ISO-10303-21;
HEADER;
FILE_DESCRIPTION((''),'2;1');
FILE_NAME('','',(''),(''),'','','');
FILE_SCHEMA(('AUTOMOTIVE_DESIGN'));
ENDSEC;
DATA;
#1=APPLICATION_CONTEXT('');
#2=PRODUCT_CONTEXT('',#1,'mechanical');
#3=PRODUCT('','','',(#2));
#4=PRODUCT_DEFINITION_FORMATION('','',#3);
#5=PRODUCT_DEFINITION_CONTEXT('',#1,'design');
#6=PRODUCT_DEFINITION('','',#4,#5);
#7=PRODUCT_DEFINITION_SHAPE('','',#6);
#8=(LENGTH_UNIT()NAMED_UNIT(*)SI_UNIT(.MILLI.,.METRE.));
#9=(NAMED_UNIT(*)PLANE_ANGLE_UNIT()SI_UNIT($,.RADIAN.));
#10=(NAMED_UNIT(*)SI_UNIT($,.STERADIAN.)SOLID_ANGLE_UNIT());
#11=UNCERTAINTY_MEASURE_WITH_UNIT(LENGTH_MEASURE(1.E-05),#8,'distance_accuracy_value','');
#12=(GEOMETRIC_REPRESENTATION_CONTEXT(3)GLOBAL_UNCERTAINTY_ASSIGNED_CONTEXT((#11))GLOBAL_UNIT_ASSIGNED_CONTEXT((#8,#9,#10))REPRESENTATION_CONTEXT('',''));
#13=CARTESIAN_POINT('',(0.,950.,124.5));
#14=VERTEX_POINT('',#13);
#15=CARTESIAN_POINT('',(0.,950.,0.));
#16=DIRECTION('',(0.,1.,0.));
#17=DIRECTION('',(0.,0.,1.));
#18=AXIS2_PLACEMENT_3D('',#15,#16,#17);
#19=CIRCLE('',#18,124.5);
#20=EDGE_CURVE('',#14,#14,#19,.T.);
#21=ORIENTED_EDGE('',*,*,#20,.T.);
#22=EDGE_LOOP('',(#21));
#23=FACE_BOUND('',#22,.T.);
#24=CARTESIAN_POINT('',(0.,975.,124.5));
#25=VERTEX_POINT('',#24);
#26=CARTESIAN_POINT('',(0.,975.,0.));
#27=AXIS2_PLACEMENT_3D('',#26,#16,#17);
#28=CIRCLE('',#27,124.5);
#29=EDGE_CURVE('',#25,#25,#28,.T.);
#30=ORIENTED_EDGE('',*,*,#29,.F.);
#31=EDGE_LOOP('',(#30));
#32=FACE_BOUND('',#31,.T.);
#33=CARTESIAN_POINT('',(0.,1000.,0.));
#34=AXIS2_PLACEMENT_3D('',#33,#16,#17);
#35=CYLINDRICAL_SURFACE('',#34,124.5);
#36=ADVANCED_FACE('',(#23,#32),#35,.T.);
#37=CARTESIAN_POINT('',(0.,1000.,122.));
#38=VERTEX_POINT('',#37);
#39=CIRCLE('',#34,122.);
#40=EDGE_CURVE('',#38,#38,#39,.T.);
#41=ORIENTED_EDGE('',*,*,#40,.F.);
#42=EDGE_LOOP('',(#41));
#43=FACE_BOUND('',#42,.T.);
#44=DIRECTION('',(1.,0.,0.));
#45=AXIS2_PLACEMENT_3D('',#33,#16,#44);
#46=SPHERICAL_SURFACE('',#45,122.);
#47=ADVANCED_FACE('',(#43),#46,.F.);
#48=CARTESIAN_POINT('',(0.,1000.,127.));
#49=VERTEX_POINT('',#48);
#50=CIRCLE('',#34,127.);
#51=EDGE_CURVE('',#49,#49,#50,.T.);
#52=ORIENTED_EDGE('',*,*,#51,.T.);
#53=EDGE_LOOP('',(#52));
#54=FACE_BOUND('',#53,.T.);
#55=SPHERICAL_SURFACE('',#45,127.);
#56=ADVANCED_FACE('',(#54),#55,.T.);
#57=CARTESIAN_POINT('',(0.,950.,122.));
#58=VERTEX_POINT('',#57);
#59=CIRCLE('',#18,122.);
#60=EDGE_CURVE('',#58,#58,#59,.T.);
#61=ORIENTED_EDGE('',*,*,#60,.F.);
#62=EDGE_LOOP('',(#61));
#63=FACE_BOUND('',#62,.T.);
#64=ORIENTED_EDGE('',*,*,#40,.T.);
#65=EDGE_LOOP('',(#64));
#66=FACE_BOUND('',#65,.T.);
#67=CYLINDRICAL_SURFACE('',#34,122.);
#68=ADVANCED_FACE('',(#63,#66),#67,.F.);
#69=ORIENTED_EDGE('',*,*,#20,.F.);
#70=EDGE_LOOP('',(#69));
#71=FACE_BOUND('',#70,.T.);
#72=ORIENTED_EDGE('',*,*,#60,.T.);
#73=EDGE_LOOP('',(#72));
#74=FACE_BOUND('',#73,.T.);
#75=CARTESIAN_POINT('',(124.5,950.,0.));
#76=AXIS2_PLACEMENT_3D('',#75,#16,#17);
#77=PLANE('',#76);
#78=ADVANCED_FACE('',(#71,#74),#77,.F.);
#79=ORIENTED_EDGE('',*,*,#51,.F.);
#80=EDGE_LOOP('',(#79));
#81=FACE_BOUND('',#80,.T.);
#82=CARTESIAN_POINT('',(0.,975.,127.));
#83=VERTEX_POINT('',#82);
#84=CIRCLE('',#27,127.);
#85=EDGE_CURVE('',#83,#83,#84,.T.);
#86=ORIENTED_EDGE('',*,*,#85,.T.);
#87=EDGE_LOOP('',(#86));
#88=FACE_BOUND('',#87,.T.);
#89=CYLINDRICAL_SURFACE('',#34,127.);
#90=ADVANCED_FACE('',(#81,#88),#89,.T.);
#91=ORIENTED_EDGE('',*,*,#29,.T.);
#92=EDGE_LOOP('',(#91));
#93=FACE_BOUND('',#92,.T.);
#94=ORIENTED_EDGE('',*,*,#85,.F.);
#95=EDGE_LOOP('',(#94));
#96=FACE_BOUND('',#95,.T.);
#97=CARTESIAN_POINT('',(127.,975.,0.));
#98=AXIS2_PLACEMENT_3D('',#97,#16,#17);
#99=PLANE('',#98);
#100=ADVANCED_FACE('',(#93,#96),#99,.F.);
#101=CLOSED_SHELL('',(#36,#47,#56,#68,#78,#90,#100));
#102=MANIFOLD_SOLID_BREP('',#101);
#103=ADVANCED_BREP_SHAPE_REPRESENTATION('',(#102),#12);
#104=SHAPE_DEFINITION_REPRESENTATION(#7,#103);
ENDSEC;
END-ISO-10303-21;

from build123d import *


with BuildPart() as part:
    # Sketch1 → Revolve1 (revolve)
    with BuildSketch(Plane.XY):
        with BuildLine():
            Line((0, 1127), (0, 1122))
            ThreePointArc((0, 1122), (86.267027305, 1086.267027305), (122, 1000))
            Line((122, 1000), (122, 950))
            Line((122, 950), (124.5, 950))
            Line((124.5, 950), (124.5, 975))
            Line((124.5, 975), (127, 975))
            Line((127, 975), (127, 1000))
            ThreePointArc((127, 1000), (89.802561211, 1089.802561211), (0, 1127))
        make_face()
    revolve(axis=Axis((0, 1000, 0), (0, -1, 0)))


solid = part.part
